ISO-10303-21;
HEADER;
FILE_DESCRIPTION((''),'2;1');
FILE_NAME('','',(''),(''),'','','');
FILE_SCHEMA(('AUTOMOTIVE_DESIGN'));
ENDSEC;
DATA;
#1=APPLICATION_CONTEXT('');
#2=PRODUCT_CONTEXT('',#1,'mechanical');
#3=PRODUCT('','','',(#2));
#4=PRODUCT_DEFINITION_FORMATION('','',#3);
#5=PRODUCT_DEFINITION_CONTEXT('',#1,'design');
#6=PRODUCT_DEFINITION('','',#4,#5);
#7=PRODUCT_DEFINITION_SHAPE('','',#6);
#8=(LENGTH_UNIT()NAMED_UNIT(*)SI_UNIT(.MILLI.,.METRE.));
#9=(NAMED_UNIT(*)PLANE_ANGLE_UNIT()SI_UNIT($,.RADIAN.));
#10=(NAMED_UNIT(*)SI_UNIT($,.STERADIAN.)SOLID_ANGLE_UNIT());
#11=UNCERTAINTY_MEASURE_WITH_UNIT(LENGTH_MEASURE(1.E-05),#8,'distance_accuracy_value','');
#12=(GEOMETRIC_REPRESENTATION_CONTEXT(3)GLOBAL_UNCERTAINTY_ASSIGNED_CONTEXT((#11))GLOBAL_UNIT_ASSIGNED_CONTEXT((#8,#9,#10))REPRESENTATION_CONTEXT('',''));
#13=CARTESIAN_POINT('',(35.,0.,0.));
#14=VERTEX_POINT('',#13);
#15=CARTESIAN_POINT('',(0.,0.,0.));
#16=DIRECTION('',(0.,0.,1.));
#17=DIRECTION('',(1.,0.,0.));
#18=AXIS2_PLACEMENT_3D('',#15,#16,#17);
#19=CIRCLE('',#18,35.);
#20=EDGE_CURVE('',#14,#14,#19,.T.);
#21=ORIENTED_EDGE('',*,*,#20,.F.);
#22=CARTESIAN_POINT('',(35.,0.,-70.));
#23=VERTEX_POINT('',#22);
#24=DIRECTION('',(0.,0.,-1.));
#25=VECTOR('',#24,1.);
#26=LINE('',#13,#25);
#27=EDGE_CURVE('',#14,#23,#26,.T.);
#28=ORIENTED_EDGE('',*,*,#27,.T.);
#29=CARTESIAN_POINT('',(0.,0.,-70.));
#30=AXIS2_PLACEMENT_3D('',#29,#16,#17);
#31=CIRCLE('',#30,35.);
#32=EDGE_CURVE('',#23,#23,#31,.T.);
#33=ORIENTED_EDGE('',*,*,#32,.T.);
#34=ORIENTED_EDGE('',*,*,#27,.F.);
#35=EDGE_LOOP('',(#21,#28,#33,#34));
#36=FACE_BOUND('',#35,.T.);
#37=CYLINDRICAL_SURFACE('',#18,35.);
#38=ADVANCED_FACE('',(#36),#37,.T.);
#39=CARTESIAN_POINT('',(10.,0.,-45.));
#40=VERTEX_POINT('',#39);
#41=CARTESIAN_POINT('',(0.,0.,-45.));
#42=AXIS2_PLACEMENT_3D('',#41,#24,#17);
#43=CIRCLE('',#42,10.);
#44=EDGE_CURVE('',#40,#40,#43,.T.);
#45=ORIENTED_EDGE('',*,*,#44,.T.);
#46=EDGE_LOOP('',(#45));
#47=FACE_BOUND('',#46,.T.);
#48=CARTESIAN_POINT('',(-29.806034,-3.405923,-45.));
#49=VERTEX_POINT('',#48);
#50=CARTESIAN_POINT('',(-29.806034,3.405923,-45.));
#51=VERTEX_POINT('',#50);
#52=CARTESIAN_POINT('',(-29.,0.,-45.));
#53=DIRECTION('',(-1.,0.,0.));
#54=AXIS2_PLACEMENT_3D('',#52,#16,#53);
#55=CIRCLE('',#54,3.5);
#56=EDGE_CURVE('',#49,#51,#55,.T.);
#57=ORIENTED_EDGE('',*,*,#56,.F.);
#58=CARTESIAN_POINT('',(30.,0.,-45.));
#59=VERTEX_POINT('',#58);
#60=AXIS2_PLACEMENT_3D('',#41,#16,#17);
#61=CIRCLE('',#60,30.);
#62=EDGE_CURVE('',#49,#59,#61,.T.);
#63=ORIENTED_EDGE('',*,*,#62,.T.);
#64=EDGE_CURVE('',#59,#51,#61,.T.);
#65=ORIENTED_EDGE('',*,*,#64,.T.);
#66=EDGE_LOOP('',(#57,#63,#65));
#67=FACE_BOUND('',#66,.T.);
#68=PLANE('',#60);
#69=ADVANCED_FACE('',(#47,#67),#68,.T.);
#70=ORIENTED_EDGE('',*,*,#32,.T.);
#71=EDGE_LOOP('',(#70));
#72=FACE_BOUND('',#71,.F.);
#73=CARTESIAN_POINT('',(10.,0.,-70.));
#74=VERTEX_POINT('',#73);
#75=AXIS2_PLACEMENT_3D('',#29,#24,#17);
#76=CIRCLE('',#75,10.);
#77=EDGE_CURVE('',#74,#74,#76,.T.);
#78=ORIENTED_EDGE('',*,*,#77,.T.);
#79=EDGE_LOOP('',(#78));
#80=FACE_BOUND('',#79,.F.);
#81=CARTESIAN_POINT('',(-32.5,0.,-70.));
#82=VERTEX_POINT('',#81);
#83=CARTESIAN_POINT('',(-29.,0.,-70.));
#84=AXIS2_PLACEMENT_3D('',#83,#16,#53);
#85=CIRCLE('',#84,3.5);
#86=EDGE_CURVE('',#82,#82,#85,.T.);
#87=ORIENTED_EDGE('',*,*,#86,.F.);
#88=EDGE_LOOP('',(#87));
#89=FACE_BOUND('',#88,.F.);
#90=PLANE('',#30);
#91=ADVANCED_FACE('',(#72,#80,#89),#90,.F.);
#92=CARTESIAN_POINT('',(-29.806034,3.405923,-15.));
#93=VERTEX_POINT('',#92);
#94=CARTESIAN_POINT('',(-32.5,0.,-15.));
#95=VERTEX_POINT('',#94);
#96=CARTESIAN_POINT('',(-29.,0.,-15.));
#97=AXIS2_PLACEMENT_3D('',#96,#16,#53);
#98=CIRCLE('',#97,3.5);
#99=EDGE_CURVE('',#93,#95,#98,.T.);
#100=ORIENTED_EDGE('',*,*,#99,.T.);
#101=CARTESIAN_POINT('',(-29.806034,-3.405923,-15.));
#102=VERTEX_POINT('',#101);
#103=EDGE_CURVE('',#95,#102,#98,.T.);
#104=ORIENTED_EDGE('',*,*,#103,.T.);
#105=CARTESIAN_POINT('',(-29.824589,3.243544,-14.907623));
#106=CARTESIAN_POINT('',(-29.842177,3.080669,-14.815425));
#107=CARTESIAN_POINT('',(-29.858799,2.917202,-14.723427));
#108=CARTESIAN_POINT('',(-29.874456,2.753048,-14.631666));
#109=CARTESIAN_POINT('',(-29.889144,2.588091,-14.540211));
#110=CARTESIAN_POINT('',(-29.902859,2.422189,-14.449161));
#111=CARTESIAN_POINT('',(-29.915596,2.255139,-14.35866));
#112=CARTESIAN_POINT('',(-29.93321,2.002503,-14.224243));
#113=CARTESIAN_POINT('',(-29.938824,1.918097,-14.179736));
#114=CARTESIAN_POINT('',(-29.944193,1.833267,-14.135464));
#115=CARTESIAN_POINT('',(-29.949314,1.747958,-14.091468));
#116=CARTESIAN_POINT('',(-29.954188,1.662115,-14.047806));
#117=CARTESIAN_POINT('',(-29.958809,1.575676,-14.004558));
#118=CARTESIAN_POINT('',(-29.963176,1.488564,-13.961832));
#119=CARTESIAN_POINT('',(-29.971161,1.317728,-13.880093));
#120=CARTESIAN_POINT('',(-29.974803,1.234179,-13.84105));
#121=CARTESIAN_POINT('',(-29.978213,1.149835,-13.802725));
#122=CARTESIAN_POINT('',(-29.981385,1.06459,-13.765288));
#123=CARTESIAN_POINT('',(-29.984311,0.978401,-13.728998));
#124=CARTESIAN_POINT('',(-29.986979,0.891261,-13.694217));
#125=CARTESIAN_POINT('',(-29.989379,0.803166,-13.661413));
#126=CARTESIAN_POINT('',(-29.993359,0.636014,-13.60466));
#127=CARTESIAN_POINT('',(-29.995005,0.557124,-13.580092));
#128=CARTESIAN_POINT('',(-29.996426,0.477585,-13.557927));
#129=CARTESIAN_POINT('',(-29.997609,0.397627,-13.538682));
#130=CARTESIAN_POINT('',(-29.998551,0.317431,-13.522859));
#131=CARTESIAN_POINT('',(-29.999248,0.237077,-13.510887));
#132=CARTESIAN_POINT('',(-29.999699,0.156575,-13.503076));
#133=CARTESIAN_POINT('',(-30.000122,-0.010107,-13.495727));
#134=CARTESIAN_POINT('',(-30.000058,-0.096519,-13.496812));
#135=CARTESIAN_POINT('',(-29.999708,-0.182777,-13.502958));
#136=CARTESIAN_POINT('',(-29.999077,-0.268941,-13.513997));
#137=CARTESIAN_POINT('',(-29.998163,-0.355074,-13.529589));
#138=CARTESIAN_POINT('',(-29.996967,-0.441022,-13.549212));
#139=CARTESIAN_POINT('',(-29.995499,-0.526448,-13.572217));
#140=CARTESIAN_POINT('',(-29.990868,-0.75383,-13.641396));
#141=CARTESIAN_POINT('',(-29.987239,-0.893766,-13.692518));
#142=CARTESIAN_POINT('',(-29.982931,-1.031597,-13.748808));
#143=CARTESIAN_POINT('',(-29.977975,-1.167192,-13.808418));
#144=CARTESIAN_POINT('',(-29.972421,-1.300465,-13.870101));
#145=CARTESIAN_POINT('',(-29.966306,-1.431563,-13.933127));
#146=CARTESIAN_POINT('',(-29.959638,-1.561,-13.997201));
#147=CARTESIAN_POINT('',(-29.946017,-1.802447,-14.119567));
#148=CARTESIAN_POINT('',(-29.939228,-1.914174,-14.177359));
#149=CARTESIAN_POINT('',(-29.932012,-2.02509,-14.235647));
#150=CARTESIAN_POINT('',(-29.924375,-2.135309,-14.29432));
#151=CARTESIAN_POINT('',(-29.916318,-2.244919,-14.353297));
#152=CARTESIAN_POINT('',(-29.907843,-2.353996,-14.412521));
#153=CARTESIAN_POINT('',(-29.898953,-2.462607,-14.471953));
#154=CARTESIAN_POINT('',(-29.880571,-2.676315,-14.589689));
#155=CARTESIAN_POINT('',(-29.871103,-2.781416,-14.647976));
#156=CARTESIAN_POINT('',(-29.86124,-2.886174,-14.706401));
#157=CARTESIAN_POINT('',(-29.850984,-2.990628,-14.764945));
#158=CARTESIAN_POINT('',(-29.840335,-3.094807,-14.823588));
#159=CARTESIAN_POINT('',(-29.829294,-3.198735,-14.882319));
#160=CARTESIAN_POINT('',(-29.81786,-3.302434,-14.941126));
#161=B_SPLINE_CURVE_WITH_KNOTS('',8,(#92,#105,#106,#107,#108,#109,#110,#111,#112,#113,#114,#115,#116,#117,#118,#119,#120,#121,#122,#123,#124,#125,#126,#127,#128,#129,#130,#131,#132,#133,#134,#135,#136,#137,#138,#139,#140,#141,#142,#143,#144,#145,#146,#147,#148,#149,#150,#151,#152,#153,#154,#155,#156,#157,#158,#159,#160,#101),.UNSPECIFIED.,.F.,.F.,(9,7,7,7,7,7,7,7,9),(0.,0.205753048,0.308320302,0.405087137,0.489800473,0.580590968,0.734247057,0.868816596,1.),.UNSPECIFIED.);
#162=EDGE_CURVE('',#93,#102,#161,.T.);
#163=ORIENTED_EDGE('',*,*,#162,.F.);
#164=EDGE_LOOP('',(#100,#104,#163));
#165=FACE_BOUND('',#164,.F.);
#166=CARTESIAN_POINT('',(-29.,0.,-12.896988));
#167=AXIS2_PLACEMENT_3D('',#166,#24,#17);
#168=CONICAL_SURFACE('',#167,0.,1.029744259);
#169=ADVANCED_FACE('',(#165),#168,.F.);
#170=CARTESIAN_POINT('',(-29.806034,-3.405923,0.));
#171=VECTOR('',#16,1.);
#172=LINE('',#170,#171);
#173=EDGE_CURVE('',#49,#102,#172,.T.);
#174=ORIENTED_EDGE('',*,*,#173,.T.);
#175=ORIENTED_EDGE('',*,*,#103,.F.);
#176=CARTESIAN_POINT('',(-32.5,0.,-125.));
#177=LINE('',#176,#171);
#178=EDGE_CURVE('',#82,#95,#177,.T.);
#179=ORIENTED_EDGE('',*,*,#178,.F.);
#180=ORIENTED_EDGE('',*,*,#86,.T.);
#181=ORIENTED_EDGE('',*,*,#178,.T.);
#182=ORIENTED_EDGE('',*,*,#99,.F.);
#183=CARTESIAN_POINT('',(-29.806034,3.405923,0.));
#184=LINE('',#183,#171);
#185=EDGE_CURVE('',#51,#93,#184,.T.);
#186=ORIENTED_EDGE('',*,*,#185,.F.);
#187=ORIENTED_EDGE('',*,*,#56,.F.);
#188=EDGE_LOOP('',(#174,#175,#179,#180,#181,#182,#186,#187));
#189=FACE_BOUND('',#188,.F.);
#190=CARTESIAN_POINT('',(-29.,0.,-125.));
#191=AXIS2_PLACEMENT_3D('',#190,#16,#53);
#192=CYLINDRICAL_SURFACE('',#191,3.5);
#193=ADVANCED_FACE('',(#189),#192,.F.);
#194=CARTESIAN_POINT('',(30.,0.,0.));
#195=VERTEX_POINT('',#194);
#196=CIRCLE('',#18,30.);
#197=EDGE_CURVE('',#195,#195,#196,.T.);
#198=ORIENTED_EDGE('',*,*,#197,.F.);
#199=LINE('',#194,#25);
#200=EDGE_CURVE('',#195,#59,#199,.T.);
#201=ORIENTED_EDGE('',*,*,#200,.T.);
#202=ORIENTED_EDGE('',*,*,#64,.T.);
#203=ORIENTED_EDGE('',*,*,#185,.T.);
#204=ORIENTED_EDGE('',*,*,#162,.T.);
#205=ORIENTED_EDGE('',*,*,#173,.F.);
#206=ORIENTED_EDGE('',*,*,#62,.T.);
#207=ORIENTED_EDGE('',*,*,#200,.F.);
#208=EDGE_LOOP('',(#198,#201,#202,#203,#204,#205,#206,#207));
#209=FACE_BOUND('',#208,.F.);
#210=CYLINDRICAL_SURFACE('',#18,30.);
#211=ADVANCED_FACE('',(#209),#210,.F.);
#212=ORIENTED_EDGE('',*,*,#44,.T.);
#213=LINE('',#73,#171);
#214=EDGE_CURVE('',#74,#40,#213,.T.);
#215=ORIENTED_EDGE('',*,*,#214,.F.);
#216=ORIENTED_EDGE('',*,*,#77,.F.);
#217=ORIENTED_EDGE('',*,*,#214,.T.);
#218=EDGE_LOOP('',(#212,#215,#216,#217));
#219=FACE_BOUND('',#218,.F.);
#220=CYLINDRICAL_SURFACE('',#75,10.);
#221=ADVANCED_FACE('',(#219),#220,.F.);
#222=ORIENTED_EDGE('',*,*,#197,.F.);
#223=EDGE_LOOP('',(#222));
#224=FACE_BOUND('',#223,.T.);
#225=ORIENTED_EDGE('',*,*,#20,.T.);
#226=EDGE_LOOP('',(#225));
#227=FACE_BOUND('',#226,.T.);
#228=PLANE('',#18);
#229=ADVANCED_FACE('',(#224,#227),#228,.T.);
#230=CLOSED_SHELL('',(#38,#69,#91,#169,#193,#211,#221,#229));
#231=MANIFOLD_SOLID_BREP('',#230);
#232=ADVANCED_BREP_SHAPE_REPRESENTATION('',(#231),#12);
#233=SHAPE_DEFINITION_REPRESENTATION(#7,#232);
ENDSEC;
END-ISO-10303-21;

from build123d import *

# Parameters (mm, degrees)
F0_R     = 35
F1_DEPTH = 70
F2_T     = -5
F3_DEPTH = 20
F5_D     = 7
F5_DEPTH = 55
F5_TIP   = 2.1030121666
F6_R     = 10
F7_DEPTH = 25


with BuildPart() as f1:
    # F0 (on Top) → F1 (new body)
    with BuildSketch(Plane.XY):
        Circle(F0_R)
    extrude(amount=-F1_DEPTH)

    # F2
    f2_openings = [f1.faces().sort_by_distance(p)[0] for p in [
        (0, 0, 0),
    ]]
    offset(amount=F2_T, openings=f2_openings)

    # F3 (add): a face of the model
    f3_faces = [f1.faces().sort_by_distance(p)[0] for p in [
        (0, 0, -65),
    ]]
    extrude(f3_faces, amount=F3_DEPTH)

    # F5
    with Locations(Plane(origin=(0, 0, -70), x_dir=(1, 0, 0), z_dir=(0, 0, -1))):
        with Locations((-29, 0)):
            Hole(F5_D / 2, depth=F5_DEPTH)
            with Locations((0, 0, -(F5_DEPTH + F5_TIP / 2))):  # 118° drill point
                Cone(0, F5_D / 2, F5_TIP, mode=Mode.SUBTRACT)

    # F6 (on face) → F7 (cut, through all)
    with BuildSketch(Plane(origin=(0, 0, -70), x_dir=(1, 0, 0), z_dir=(0, 0, -1))):
        Circle(F6_R)
    extrude(amount=-F7_DEPTH, mode=Mode.SUBTRACT)


solid = f1.part
